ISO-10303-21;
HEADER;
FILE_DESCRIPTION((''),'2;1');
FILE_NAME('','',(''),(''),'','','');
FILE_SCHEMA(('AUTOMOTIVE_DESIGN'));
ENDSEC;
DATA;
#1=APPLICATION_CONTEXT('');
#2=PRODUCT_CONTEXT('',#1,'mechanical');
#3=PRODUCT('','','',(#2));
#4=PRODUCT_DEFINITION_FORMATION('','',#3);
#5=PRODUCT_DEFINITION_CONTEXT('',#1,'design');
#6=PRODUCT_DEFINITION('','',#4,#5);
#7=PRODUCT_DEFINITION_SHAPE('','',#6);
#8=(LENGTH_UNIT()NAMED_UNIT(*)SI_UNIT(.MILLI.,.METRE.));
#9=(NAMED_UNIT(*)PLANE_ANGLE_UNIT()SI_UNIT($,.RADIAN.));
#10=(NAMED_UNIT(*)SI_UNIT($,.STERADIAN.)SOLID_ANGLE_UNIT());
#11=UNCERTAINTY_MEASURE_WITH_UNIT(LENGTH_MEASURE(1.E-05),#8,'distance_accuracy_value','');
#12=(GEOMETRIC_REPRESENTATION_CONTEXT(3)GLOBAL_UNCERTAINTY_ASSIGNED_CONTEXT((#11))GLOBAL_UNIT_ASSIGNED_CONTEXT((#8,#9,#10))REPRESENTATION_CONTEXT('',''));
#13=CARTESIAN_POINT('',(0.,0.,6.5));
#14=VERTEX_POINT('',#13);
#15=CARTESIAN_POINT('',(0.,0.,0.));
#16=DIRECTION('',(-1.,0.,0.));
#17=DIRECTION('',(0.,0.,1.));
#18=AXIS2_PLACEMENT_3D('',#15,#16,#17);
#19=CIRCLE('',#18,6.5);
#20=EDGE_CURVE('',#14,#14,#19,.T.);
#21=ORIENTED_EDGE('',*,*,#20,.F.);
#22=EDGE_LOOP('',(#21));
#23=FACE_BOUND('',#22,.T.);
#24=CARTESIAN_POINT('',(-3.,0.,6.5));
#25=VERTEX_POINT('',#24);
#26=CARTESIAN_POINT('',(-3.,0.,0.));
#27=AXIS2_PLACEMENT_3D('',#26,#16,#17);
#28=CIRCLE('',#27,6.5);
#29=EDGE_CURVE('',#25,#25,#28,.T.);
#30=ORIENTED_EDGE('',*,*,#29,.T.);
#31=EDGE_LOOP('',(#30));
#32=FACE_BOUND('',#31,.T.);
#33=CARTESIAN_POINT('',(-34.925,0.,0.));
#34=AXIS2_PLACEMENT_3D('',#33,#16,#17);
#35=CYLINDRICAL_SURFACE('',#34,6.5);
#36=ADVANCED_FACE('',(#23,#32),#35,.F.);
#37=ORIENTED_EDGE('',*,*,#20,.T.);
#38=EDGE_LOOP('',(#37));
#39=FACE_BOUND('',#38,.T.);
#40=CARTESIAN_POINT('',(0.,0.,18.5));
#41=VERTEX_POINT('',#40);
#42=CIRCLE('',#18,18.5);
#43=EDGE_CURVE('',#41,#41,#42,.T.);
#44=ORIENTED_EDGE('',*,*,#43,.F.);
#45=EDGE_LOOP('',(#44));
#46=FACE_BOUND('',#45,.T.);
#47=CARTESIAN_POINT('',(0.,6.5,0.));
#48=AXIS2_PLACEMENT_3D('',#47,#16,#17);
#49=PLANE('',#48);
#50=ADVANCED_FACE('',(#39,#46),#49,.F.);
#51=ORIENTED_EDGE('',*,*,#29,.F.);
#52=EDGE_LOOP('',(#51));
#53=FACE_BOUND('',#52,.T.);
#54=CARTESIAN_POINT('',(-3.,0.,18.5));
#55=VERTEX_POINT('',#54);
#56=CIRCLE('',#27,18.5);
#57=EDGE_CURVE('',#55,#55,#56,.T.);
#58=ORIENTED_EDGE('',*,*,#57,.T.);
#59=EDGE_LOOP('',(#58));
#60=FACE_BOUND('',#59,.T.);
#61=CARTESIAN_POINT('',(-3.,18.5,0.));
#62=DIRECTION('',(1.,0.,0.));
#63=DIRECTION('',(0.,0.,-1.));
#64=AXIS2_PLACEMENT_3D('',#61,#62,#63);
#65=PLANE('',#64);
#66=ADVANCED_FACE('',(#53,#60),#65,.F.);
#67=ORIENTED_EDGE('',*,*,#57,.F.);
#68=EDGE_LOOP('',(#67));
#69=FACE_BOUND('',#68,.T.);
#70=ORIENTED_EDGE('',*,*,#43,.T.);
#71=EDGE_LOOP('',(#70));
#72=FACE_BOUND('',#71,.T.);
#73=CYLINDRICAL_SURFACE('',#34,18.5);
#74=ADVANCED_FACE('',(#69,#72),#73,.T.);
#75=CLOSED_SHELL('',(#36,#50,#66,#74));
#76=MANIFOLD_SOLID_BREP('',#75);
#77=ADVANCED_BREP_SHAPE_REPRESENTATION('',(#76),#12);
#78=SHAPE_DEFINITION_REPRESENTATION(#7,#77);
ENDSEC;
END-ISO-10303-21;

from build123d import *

# Parameters (mm, degrees)
SKETCH1_W = 3
SKETCH1_H = 12


with BuildPart() as part:
    # Sketch1 → Base-Revolve (revolve)
    with BuildSketch(Plane.XY):
        with Locations((-1.5, 12.5)):
            Rectangle(SKETCH1_W, SKETCH1_H)
    revolve(axis=Axis((-34.925, 0, 0), (1, 0, 0)))


solid = part.part
